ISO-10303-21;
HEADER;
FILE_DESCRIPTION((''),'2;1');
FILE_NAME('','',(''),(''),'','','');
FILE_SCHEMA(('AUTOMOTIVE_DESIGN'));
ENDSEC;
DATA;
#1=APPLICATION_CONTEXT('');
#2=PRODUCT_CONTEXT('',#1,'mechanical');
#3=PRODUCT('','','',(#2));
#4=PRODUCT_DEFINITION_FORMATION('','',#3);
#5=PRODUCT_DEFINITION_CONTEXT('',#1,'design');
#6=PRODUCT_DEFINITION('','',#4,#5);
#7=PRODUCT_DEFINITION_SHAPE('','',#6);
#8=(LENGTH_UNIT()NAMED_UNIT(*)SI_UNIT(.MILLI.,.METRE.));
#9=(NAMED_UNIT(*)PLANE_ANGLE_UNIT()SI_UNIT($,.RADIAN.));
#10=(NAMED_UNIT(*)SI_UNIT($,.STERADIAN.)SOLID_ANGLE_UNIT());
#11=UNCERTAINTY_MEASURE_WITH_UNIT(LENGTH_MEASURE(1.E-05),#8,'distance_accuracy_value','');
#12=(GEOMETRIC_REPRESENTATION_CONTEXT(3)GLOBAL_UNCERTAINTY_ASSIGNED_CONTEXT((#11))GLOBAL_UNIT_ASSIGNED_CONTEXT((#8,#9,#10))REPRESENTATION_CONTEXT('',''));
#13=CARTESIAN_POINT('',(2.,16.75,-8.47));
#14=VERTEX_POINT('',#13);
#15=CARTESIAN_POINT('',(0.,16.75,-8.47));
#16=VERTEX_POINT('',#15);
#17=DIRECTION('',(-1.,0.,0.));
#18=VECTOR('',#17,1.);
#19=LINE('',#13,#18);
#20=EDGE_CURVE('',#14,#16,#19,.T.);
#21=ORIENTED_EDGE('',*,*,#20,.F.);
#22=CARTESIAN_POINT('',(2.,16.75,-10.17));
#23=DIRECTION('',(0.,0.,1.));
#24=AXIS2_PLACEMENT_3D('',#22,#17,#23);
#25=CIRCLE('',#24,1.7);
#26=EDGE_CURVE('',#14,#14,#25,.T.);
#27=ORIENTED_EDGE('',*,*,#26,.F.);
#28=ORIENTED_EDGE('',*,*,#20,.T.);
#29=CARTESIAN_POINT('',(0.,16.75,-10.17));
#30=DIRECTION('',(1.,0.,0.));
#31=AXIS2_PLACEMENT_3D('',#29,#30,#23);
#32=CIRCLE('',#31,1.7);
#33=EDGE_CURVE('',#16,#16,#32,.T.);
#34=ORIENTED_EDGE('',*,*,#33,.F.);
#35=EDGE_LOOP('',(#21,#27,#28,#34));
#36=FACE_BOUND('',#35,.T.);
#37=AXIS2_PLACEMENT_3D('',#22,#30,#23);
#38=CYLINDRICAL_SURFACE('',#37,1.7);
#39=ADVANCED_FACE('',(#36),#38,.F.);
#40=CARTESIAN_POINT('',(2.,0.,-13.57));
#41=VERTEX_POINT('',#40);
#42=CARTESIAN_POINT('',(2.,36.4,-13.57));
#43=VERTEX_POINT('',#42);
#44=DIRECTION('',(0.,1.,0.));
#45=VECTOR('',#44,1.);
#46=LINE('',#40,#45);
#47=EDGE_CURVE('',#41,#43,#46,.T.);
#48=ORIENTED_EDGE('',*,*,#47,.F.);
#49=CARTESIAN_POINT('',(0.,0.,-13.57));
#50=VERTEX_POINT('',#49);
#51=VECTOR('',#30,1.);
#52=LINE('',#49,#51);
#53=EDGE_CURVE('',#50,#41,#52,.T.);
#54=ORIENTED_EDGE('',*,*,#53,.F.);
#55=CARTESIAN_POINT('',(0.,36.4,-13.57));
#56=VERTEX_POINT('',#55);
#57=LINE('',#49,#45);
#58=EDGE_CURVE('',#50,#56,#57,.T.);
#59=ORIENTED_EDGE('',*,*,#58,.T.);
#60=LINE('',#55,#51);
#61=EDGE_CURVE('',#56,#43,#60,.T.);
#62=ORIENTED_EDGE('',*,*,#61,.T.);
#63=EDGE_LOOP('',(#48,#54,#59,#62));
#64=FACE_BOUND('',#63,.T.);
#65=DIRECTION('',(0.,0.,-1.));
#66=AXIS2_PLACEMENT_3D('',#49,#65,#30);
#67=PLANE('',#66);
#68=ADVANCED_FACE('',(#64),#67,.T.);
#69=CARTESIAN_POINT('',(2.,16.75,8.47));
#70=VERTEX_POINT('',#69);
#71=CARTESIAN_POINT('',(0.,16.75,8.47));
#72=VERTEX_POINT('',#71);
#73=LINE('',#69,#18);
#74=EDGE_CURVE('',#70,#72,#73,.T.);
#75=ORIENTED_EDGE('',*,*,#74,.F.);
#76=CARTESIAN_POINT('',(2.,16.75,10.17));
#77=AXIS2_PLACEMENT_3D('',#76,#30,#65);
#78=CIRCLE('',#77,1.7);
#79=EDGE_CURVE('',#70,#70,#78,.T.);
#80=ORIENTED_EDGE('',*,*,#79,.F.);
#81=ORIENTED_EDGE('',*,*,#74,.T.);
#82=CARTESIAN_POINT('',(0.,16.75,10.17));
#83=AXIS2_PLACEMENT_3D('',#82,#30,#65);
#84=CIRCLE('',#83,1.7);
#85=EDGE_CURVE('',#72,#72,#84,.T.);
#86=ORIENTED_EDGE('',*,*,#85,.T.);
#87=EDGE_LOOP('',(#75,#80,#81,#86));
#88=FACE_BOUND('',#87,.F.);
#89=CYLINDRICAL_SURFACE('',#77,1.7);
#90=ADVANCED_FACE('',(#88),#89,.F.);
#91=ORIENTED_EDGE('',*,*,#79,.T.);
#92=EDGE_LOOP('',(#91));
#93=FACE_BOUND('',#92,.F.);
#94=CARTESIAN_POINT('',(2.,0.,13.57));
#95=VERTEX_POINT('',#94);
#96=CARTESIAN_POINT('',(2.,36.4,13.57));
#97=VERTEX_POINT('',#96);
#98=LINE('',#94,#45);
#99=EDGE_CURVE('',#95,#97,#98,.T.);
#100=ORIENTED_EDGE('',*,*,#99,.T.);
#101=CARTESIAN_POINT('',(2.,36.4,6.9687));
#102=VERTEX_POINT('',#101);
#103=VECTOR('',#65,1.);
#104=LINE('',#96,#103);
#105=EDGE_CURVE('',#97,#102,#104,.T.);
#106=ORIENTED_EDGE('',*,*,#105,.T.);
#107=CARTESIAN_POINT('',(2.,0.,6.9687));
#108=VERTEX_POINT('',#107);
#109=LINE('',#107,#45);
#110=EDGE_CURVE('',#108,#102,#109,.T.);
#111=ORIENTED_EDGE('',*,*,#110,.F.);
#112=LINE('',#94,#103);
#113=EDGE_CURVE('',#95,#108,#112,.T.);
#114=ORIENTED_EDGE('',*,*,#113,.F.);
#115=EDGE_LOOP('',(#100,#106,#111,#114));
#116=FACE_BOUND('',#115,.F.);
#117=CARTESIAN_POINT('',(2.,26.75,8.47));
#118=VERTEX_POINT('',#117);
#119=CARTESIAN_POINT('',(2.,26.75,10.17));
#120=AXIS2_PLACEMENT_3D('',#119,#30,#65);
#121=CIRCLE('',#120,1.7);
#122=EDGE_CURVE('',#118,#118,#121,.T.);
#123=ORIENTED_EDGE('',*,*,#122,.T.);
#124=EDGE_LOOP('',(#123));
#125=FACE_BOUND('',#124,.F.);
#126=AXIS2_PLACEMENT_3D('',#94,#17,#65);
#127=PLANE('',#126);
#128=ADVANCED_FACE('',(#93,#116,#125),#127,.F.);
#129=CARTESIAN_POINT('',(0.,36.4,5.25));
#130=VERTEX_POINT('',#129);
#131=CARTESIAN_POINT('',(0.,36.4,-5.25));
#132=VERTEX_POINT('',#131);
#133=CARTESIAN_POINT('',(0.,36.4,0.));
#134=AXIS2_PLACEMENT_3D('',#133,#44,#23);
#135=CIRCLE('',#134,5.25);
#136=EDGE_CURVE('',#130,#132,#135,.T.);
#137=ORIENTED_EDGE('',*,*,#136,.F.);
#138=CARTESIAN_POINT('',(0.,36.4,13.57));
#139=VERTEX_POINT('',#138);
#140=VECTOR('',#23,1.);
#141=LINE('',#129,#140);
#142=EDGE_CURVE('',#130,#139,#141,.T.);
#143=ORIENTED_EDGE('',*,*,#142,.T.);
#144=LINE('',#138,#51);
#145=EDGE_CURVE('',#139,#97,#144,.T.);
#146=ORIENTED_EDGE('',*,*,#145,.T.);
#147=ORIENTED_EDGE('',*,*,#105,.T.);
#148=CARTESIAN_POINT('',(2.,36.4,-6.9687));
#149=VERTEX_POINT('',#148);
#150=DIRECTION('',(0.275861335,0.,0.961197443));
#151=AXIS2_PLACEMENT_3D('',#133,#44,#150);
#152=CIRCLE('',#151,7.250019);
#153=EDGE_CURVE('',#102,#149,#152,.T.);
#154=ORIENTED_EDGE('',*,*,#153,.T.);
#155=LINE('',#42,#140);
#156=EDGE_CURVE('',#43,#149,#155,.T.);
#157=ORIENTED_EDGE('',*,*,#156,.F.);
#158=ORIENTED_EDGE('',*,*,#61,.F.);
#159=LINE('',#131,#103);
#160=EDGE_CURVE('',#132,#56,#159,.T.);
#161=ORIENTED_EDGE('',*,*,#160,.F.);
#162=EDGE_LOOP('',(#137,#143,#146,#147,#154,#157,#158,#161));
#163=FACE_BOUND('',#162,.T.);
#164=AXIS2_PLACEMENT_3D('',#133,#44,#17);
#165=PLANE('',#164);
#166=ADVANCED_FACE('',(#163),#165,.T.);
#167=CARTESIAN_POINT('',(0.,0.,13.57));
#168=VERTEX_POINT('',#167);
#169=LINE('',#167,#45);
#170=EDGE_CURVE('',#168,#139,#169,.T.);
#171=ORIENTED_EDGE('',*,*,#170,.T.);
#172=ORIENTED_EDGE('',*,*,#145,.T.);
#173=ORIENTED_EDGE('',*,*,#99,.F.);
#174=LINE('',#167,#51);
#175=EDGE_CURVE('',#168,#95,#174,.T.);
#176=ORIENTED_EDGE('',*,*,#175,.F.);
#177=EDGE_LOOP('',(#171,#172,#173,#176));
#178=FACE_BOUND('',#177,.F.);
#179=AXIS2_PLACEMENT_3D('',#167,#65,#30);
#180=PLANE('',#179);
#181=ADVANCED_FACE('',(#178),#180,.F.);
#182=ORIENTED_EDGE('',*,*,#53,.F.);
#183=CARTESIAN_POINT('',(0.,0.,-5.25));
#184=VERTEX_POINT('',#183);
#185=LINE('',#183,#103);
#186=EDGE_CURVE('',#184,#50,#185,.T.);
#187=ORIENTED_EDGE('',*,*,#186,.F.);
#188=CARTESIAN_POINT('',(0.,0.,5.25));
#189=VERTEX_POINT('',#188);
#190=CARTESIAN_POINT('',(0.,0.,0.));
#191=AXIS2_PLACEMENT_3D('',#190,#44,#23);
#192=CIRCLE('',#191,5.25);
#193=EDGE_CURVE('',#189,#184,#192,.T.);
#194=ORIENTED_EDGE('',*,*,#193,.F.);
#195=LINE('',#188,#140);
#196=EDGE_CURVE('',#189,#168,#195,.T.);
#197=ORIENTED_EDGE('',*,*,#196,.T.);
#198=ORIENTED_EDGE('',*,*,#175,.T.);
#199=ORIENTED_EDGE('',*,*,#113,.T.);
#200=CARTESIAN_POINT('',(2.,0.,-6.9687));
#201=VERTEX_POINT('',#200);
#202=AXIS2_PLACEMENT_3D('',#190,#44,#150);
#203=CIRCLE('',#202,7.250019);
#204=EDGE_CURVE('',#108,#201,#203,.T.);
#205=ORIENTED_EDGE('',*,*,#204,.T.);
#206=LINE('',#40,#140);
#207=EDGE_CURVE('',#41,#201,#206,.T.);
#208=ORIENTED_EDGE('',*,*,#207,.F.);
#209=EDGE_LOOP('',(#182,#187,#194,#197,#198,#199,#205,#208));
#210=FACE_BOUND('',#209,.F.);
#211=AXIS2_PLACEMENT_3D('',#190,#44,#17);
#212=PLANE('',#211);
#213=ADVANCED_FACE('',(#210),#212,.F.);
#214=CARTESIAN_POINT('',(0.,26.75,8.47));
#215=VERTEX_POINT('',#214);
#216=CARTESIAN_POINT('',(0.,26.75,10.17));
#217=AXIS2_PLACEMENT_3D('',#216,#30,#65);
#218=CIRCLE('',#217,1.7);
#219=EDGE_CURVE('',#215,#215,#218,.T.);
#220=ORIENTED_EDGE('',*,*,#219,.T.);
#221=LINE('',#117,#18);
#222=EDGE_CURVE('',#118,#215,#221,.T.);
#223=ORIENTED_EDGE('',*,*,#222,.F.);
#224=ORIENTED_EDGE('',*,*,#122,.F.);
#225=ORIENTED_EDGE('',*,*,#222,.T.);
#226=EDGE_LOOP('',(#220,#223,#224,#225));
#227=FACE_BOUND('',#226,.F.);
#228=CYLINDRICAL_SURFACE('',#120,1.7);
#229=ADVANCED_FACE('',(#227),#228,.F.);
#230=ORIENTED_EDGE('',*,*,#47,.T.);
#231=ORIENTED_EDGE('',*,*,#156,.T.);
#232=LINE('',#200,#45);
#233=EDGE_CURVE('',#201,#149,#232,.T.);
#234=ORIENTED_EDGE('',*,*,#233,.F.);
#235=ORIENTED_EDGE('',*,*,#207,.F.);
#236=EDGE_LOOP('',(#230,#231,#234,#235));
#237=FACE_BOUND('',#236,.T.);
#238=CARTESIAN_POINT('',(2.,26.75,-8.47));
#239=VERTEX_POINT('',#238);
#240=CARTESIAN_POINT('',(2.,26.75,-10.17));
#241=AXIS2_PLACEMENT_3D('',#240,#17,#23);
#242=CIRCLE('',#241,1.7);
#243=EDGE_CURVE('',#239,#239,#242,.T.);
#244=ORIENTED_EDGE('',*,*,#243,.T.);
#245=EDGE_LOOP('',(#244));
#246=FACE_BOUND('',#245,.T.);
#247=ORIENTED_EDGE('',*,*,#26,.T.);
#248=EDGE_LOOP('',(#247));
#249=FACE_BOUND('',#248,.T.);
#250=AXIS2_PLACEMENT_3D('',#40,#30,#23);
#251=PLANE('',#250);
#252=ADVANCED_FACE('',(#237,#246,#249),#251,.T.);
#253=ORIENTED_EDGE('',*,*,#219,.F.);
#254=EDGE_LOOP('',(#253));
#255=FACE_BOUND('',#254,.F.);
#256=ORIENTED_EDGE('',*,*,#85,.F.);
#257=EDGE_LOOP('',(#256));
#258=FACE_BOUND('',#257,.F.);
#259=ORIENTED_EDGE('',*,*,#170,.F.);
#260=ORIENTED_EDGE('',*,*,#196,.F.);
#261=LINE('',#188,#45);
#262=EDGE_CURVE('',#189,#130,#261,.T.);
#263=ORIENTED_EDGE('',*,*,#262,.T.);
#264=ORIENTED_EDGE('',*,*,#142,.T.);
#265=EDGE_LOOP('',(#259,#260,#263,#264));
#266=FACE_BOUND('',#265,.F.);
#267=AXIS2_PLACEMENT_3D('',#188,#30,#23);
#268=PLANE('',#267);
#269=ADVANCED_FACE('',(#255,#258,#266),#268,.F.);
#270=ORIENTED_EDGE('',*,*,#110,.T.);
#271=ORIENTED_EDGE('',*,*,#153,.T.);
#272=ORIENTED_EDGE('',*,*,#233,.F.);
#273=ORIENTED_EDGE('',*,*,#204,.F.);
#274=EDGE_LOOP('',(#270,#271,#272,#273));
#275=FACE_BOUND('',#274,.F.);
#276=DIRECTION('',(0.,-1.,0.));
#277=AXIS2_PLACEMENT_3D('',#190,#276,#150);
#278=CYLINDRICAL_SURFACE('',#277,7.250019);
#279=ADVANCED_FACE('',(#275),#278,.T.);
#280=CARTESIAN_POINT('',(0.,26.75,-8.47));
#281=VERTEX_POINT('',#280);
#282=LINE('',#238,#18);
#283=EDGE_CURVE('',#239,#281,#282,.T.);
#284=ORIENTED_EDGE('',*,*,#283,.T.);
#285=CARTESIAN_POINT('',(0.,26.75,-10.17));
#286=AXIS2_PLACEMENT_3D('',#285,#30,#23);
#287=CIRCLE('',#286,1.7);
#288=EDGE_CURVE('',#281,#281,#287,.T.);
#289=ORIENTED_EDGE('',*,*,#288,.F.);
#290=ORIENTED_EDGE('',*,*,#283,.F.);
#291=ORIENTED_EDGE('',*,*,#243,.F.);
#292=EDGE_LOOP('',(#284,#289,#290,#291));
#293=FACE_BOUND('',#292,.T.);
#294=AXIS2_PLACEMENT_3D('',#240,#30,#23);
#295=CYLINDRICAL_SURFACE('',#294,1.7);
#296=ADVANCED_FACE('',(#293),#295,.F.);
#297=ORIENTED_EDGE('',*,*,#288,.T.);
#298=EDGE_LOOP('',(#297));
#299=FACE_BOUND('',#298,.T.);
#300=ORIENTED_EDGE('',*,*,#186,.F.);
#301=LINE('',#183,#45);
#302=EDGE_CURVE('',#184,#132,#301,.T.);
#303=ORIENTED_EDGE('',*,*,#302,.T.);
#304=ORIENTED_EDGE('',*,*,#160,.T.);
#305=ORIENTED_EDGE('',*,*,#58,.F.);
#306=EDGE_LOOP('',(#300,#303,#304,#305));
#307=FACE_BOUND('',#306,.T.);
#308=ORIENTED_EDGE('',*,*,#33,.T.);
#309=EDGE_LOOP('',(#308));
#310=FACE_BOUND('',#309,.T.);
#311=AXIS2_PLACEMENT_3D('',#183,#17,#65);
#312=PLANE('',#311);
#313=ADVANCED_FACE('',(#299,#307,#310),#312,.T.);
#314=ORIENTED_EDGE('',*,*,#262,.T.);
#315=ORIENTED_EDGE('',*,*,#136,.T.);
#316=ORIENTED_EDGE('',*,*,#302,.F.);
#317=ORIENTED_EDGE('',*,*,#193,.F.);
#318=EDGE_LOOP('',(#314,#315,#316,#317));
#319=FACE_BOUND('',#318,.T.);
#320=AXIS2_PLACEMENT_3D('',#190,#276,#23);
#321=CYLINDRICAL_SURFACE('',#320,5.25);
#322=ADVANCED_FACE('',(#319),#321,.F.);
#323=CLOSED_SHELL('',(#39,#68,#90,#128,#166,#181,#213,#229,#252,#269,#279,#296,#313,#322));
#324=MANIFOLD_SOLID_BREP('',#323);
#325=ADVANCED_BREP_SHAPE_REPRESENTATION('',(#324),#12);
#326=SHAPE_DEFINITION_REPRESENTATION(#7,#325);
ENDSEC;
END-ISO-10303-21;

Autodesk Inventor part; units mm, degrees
ref_plane "YZ Plane" through (0, 0, 0) normal (1, 0, 0) x (0, 1, 0)
ref_plane "XZ Plane" through (0, 0, 0) normal (0, 1, 0) x (-1, 0, 0)
ref_plane "XY Plane" through (0, 0, 0) normal (0, 0, 1) x (1, 0, 0)
sketch "스케치1" plane through (0, 0, 0) normal (0, 1, 0) x (-1, 0, 0)
  arc A0 (0, 5.25) -> (0, -5.25) centre (0, 0) ccw
  line L0 (0, 0) -> (0, 5.25) construction
  line L1 (0, 0) -> (5.25, 0) construction
  line L2 (0, 0) -> (0, -5.25) construction
  arc A1 (-2, 6.9687) -> (-2, -6.9687) centre (0, 0) ccw
  line L3 (0, 0) -> (0, -9) construction
  line L4 (0, 0) -> (0, 9) construction
  line L5 (0, 5.25) -> (0, 13.57)
  line L6 (0, 13.57) -> (-2, 13.57)
  line L7 (-2, 13.57) -> (-2, 6.9687)
  line L8 (0, -5.25) -> (0, -13.57)
  line L9 (0, -13.57) -> (-2, -13.57)
  line L10 (-2, -13.57) -> (-2, -6.9687)
  point P0 (-1, -13.57)
  point P1 (-1, 13.57)
  dimension "d46" = 5.25
  dimension "d47" = 90
  dimension "d48" = 180
  dimension "d49" = 7.25
  dimension "d50" = 180
  dimension "d51" = 13.57
  dimension "d52" = 13.57
  dimension "d53" = 2
  dimension "d54" = 2
extrude "돌출1" add sketch "스케치1" along normal blind 36.4
sketch "스케치2" plane through (2, 0, 13.57) normal (1, 0, 0) x (0, 0, -1)
  line L0 (0, 0) -> (6.6013, 0) projected
  line L1 (6.6013, 0) -> (6.6013, 36.4) projected
  line L2 (0, 36.4) -> (6.6013, 36.4) projected
  line L3 (0, 0) -> (0, 36.4) projected
  circle A0 centre (3.4, 26.75) radius 1.7
  circle A1 centre (3.4, 16.75) radius 1.7
  point P0 (13.57, 0)
  point P1 (3.3007, 36.4)
  dimension "d57" = 3.4
  dimension "d58" = 3.4
  dimension "d60" = 26.75
  dimension "d61" = 16.75
  dimension "d64" = 3.4
extrude "돌출2" cut sketch "스케치2" against normal through all contours A0 | A1
mirror "미러2" about plane through (0, 0, 0) normal (0, 0, 1) of "돌출2"
properties part number "pen고정부"
